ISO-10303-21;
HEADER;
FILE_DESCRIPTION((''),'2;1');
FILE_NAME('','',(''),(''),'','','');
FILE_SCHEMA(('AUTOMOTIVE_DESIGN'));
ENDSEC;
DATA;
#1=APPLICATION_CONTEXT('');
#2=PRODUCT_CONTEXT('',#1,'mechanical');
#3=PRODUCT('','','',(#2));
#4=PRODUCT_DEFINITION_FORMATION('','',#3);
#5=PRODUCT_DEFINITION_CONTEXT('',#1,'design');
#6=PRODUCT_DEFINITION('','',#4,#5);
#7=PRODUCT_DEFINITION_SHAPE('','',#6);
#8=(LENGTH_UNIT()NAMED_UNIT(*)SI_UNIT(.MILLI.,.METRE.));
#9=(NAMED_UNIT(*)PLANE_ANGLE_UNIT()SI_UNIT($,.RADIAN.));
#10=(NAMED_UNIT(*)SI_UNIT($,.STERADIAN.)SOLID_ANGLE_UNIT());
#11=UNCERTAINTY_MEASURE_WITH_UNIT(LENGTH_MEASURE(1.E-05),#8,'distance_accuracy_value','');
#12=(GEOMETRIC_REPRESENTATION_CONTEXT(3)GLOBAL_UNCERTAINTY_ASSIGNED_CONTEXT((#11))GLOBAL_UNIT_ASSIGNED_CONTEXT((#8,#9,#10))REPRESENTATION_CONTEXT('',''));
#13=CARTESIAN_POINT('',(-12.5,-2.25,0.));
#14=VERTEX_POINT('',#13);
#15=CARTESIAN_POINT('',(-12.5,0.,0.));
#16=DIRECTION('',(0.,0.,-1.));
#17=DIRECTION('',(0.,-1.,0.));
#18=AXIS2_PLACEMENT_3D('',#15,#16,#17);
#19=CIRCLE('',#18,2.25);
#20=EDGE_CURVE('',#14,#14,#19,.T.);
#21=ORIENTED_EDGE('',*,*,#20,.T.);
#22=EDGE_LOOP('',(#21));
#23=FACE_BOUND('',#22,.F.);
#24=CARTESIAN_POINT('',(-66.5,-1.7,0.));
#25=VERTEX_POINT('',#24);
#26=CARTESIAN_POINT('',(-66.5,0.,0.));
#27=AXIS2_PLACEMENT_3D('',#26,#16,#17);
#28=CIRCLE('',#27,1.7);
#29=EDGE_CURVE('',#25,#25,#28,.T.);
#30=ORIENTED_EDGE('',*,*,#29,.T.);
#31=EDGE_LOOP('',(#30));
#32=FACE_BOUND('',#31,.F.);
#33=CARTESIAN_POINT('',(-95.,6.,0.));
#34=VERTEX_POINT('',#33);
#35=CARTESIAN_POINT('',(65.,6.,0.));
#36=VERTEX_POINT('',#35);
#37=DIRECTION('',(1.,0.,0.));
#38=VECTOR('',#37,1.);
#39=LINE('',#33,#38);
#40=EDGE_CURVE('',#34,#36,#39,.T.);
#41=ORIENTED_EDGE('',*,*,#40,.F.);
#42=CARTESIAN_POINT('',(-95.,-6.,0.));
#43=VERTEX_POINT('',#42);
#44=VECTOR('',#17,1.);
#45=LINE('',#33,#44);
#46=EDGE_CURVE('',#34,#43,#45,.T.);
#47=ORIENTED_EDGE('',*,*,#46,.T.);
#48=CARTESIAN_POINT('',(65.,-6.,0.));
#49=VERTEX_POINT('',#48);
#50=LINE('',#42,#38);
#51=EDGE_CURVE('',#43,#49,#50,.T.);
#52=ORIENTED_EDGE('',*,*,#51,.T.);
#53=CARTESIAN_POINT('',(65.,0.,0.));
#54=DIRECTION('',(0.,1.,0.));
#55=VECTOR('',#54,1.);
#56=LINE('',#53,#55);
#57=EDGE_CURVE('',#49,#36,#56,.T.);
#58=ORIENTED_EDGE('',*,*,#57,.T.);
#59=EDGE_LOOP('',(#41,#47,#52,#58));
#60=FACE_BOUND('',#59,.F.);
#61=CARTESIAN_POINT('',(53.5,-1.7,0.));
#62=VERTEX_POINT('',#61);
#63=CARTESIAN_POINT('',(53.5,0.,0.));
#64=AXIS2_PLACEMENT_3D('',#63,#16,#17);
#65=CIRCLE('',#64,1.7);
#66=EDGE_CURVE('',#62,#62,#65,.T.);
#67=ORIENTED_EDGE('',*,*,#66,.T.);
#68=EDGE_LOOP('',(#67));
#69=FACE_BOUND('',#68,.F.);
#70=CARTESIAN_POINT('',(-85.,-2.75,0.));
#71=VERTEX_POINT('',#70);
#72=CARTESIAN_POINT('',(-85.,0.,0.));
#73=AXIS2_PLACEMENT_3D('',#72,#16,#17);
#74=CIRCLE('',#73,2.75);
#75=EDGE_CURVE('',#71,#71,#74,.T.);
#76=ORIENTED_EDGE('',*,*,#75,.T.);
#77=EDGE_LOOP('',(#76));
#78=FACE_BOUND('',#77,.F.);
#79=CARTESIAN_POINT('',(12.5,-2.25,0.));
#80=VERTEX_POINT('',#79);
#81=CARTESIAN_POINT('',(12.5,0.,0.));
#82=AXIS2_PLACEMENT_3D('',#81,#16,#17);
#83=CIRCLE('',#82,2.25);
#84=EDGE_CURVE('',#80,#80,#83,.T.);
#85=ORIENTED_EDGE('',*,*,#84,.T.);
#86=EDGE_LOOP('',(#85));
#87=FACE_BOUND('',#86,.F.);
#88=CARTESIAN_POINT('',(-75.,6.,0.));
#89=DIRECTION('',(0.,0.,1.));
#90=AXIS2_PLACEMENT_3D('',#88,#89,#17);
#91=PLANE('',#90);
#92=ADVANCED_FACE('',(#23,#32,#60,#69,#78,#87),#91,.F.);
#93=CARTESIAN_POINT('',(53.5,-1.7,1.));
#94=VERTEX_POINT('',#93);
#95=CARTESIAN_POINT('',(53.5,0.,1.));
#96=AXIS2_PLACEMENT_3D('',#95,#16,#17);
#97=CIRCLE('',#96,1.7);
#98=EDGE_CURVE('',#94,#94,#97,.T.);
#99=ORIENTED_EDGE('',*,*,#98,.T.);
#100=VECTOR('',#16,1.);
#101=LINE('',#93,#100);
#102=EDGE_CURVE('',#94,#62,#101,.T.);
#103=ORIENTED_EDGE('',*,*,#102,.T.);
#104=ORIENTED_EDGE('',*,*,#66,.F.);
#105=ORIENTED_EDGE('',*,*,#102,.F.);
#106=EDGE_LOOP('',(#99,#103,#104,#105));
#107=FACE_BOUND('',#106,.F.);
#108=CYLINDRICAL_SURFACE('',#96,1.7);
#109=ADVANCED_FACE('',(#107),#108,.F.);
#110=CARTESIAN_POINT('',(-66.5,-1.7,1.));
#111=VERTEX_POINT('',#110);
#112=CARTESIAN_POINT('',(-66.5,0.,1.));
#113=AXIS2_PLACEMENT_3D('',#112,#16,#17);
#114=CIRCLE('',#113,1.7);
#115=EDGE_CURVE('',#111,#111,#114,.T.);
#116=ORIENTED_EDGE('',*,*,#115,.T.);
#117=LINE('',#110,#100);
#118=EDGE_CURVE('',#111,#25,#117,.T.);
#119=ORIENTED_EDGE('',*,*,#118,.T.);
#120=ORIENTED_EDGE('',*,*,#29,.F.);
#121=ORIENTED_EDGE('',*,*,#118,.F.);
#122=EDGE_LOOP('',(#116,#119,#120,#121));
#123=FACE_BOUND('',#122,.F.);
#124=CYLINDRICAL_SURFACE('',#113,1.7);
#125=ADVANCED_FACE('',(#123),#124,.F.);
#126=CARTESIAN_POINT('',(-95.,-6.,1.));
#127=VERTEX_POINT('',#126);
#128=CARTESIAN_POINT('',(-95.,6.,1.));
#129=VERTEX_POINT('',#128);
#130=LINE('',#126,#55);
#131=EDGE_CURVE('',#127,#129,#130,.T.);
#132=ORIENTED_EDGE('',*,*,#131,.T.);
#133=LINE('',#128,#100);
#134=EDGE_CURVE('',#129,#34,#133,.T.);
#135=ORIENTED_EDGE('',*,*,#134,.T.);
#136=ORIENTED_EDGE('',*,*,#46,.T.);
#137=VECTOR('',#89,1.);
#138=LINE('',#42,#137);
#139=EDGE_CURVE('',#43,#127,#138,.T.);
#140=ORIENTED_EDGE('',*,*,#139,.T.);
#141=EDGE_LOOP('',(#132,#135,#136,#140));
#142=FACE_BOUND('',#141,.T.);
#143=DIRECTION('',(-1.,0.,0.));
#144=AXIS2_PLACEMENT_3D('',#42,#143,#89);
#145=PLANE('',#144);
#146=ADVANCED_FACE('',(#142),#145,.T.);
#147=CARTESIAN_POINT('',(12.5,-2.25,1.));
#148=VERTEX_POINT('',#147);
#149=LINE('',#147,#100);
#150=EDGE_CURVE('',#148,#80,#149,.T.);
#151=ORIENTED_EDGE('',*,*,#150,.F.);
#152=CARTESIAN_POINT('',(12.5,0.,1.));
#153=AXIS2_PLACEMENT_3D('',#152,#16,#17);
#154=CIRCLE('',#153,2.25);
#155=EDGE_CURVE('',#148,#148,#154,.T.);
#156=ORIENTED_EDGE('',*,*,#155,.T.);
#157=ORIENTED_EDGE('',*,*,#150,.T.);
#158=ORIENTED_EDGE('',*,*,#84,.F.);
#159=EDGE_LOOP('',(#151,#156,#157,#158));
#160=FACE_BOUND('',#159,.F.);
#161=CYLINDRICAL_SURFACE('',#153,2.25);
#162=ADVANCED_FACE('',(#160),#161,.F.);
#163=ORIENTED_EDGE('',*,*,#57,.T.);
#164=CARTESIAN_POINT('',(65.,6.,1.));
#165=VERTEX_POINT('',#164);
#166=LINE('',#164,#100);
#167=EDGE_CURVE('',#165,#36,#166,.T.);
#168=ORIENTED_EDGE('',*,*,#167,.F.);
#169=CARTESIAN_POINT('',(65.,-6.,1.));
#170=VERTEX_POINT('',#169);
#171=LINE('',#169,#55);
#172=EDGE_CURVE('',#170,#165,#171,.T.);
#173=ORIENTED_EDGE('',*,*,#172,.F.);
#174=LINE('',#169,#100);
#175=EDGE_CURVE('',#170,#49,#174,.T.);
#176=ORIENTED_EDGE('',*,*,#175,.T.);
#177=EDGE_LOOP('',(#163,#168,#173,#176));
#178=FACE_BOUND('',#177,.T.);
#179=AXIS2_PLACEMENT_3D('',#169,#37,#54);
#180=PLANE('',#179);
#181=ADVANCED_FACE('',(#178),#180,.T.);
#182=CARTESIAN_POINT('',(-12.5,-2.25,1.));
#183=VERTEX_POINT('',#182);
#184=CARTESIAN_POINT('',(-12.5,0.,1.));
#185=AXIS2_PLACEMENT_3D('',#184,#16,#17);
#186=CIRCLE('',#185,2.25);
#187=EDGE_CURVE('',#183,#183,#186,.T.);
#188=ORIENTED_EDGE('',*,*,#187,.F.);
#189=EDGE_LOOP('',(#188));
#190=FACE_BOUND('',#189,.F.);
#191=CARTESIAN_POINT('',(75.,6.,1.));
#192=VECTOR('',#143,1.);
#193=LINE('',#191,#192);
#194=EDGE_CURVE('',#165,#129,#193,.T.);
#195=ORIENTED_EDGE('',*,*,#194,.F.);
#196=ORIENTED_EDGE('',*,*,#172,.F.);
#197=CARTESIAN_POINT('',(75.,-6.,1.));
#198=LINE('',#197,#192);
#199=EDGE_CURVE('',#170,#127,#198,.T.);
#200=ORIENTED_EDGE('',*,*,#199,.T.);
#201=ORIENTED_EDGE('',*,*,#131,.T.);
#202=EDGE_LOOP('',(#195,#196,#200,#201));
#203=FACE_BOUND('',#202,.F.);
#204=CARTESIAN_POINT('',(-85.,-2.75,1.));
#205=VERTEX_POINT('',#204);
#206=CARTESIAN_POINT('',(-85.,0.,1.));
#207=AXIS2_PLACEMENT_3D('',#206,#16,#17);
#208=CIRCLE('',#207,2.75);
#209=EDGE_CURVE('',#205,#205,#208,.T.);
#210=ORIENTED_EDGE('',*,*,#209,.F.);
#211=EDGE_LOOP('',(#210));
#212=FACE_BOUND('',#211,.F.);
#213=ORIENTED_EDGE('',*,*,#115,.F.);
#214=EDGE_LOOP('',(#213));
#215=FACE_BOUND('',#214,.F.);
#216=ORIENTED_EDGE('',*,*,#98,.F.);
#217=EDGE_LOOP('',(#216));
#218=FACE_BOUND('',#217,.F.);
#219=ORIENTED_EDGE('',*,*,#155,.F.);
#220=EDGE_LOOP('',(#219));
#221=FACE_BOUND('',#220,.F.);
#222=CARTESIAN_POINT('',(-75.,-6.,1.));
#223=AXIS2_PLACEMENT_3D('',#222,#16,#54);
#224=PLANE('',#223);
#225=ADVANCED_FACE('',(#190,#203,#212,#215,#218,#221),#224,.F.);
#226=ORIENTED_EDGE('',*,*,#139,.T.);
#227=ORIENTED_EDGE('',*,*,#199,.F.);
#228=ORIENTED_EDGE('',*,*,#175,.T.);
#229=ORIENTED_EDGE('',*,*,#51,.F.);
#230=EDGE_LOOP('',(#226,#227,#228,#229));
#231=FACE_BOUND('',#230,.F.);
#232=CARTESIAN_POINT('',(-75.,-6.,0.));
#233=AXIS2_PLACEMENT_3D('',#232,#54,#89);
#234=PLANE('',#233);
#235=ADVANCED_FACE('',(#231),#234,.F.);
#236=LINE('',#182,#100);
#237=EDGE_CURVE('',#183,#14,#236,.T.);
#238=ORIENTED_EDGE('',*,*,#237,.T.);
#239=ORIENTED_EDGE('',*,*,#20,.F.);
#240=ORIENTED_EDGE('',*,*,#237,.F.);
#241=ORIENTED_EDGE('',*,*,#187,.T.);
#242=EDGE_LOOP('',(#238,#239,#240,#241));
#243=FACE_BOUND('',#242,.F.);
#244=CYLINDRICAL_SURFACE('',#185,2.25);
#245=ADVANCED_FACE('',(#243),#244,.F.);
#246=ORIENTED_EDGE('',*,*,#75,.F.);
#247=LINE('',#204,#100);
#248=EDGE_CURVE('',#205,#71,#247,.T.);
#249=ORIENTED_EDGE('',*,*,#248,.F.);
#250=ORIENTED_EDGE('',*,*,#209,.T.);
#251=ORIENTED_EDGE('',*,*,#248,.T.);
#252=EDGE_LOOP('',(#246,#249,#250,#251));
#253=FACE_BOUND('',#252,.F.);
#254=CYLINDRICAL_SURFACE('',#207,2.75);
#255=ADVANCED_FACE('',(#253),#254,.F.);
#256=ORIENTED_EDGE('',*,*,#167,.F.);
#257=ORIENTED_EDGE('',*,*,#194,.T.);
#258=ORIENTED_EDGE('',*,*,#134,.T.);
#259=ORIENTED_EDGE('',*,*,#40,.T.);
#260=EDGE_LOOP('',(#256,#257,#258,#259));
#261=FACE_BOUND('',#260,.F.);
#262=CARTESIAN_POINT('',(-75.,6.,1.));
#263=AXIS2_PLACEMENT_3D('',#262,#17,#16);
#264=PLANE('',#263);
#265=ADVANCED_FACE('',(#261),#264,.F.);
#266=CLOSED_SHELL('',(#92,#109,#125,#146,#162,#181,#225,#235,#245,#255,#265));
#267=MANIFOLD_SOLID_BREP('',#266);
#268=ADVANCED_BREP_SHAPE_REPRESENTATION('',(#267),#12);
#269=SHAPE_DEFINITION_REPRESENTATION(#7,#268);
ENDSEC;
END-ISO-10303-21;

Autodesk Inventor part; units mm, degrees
ref_plane "YZ Plane" through (0, 0, 0) normal (1, 0, 0) x (0, 1, 0)
ref_plane "XZ Plane" through (0, 0, 0) normal (0, 1, 0) x (-1, 0, 0)
ref_plane "XY Plane" through (0, 0, 0) normal (0, 0, 1) x (1, 0, 0)
sketch "Sketch1" plane through (0, 0, 0) normal (0, 0, 1) x (1, 0, 0)
  line L0 (-75, -6) -> (75, -6)
  line L1 (75, -6) -> (75, 6)
  line L2 (75, 6) -> (-75, 6)
  line L3 (-75, 6) -> (-75, -6)
  line L4 (-75, -6) -> (75, 6) construction
  line L5 (75, -6) -> (-75, 6) construction
  point P0 (0, 0)
  dimension "d0" = 150
  dimension "d1" = 12
extrude "Extrusion1" add sketch "Sketch1" along normal blind 1
sketch "Sketch2" plane through (0, 0, 1) normal (0, 0, 1) x (1, 0, 0)
  line L0 (-66.5, 0) -> (-53.5, 0) construction
  line L1 (-53.5, 0) -> (53.5, 0) construction
  line L2 (53.5, 0) -> (66.5, 0) construction
  point P0 (0, 0)
  point P1 (0, 0)
  dimension "d4" = 133
  dimension "d5" = 13
  dimension "d6" = 13
hole "Hole1" at (-66.5, 0, 1) at (53.5, 0, 1) direction (0, 0, -1) diameter 3.4 depth 8 tip angle 118 clearance for "Countersunk Flat Head Screw DIN EN ISO 2009" size "M3" standard "DIN"
sketch "Sketch4" plane through (0, 0, 1) normal (0, 0, 1) x (1, 0, 0)
  line L0 (-12.5, 0) -> (12.5, 0) construction
  point P0 (0, 0)
  point P1 (0, 0)
  dimension "d21" = 25
hole "Hole3" at (-12.5, 0, 1) at (12.5, 0, 1) direction (0, 0, -1) diameter 4.5 depth 8 tip angle 118 clearance for "Countersunk Flat Head Screw DIN EN ISO 2009" size "M4" standard "DIN"
sketch "Sketch6" plane through (-75, -6, 0) normal (-1, 0, 0) x (0, 0, 1)
  line L0 (1, 0) -> (1, 12) projected
  line L1 (0, 0) -> (1, 0)
  line L2 (1, 0) -> (1, 12)
  line L3 (1, 12) -> (0, 12)
  line L4 (0, 12) -> (0, 0)
  point P0 (0, 6)
extrude "Extrusion2" add sketch "Sketch6" along normal blind 20
sketch "Sketch7" plane through (0, 0, 1) normal (0, 0, 1) x (1, 0, 0)
  line L0 (-95, -6) -> (-95, 6) projected
  point P0 (0, 0)
  point P1 (-85, 0)
  dimension "d39" = 10
hole "Hole5" at (-85, 0, 1) direction (0, 0, -1) diameter 5.5 depth 8 tip angle 118 clearance for "Countersunk Flat Head Screw DIN EN ISO 2009" size "M5" standard "DIN"
sketch "Sketch8" plane through (0, 0, 1) normal (0, 0, 1) x (1, 0, 0)
  line L0 (75, -6) -> (-95, -6) projected
  line L1 (75, 6) -> (-95, 6) projected
  line L2 (75, -6) -> (65, -6)
  line L3 (65, -6) -> (65, 6)
  line L4 (65, 6) -> (75, 6)
  line L5 (75, 6) -> (75, -6)
  point P0 (0, 0)
  dimension "d47" = 10
extrude "Extrusion3" cut sketch "Sketch8" against normal blind 10
properties part number "CU6" material "Copper"
